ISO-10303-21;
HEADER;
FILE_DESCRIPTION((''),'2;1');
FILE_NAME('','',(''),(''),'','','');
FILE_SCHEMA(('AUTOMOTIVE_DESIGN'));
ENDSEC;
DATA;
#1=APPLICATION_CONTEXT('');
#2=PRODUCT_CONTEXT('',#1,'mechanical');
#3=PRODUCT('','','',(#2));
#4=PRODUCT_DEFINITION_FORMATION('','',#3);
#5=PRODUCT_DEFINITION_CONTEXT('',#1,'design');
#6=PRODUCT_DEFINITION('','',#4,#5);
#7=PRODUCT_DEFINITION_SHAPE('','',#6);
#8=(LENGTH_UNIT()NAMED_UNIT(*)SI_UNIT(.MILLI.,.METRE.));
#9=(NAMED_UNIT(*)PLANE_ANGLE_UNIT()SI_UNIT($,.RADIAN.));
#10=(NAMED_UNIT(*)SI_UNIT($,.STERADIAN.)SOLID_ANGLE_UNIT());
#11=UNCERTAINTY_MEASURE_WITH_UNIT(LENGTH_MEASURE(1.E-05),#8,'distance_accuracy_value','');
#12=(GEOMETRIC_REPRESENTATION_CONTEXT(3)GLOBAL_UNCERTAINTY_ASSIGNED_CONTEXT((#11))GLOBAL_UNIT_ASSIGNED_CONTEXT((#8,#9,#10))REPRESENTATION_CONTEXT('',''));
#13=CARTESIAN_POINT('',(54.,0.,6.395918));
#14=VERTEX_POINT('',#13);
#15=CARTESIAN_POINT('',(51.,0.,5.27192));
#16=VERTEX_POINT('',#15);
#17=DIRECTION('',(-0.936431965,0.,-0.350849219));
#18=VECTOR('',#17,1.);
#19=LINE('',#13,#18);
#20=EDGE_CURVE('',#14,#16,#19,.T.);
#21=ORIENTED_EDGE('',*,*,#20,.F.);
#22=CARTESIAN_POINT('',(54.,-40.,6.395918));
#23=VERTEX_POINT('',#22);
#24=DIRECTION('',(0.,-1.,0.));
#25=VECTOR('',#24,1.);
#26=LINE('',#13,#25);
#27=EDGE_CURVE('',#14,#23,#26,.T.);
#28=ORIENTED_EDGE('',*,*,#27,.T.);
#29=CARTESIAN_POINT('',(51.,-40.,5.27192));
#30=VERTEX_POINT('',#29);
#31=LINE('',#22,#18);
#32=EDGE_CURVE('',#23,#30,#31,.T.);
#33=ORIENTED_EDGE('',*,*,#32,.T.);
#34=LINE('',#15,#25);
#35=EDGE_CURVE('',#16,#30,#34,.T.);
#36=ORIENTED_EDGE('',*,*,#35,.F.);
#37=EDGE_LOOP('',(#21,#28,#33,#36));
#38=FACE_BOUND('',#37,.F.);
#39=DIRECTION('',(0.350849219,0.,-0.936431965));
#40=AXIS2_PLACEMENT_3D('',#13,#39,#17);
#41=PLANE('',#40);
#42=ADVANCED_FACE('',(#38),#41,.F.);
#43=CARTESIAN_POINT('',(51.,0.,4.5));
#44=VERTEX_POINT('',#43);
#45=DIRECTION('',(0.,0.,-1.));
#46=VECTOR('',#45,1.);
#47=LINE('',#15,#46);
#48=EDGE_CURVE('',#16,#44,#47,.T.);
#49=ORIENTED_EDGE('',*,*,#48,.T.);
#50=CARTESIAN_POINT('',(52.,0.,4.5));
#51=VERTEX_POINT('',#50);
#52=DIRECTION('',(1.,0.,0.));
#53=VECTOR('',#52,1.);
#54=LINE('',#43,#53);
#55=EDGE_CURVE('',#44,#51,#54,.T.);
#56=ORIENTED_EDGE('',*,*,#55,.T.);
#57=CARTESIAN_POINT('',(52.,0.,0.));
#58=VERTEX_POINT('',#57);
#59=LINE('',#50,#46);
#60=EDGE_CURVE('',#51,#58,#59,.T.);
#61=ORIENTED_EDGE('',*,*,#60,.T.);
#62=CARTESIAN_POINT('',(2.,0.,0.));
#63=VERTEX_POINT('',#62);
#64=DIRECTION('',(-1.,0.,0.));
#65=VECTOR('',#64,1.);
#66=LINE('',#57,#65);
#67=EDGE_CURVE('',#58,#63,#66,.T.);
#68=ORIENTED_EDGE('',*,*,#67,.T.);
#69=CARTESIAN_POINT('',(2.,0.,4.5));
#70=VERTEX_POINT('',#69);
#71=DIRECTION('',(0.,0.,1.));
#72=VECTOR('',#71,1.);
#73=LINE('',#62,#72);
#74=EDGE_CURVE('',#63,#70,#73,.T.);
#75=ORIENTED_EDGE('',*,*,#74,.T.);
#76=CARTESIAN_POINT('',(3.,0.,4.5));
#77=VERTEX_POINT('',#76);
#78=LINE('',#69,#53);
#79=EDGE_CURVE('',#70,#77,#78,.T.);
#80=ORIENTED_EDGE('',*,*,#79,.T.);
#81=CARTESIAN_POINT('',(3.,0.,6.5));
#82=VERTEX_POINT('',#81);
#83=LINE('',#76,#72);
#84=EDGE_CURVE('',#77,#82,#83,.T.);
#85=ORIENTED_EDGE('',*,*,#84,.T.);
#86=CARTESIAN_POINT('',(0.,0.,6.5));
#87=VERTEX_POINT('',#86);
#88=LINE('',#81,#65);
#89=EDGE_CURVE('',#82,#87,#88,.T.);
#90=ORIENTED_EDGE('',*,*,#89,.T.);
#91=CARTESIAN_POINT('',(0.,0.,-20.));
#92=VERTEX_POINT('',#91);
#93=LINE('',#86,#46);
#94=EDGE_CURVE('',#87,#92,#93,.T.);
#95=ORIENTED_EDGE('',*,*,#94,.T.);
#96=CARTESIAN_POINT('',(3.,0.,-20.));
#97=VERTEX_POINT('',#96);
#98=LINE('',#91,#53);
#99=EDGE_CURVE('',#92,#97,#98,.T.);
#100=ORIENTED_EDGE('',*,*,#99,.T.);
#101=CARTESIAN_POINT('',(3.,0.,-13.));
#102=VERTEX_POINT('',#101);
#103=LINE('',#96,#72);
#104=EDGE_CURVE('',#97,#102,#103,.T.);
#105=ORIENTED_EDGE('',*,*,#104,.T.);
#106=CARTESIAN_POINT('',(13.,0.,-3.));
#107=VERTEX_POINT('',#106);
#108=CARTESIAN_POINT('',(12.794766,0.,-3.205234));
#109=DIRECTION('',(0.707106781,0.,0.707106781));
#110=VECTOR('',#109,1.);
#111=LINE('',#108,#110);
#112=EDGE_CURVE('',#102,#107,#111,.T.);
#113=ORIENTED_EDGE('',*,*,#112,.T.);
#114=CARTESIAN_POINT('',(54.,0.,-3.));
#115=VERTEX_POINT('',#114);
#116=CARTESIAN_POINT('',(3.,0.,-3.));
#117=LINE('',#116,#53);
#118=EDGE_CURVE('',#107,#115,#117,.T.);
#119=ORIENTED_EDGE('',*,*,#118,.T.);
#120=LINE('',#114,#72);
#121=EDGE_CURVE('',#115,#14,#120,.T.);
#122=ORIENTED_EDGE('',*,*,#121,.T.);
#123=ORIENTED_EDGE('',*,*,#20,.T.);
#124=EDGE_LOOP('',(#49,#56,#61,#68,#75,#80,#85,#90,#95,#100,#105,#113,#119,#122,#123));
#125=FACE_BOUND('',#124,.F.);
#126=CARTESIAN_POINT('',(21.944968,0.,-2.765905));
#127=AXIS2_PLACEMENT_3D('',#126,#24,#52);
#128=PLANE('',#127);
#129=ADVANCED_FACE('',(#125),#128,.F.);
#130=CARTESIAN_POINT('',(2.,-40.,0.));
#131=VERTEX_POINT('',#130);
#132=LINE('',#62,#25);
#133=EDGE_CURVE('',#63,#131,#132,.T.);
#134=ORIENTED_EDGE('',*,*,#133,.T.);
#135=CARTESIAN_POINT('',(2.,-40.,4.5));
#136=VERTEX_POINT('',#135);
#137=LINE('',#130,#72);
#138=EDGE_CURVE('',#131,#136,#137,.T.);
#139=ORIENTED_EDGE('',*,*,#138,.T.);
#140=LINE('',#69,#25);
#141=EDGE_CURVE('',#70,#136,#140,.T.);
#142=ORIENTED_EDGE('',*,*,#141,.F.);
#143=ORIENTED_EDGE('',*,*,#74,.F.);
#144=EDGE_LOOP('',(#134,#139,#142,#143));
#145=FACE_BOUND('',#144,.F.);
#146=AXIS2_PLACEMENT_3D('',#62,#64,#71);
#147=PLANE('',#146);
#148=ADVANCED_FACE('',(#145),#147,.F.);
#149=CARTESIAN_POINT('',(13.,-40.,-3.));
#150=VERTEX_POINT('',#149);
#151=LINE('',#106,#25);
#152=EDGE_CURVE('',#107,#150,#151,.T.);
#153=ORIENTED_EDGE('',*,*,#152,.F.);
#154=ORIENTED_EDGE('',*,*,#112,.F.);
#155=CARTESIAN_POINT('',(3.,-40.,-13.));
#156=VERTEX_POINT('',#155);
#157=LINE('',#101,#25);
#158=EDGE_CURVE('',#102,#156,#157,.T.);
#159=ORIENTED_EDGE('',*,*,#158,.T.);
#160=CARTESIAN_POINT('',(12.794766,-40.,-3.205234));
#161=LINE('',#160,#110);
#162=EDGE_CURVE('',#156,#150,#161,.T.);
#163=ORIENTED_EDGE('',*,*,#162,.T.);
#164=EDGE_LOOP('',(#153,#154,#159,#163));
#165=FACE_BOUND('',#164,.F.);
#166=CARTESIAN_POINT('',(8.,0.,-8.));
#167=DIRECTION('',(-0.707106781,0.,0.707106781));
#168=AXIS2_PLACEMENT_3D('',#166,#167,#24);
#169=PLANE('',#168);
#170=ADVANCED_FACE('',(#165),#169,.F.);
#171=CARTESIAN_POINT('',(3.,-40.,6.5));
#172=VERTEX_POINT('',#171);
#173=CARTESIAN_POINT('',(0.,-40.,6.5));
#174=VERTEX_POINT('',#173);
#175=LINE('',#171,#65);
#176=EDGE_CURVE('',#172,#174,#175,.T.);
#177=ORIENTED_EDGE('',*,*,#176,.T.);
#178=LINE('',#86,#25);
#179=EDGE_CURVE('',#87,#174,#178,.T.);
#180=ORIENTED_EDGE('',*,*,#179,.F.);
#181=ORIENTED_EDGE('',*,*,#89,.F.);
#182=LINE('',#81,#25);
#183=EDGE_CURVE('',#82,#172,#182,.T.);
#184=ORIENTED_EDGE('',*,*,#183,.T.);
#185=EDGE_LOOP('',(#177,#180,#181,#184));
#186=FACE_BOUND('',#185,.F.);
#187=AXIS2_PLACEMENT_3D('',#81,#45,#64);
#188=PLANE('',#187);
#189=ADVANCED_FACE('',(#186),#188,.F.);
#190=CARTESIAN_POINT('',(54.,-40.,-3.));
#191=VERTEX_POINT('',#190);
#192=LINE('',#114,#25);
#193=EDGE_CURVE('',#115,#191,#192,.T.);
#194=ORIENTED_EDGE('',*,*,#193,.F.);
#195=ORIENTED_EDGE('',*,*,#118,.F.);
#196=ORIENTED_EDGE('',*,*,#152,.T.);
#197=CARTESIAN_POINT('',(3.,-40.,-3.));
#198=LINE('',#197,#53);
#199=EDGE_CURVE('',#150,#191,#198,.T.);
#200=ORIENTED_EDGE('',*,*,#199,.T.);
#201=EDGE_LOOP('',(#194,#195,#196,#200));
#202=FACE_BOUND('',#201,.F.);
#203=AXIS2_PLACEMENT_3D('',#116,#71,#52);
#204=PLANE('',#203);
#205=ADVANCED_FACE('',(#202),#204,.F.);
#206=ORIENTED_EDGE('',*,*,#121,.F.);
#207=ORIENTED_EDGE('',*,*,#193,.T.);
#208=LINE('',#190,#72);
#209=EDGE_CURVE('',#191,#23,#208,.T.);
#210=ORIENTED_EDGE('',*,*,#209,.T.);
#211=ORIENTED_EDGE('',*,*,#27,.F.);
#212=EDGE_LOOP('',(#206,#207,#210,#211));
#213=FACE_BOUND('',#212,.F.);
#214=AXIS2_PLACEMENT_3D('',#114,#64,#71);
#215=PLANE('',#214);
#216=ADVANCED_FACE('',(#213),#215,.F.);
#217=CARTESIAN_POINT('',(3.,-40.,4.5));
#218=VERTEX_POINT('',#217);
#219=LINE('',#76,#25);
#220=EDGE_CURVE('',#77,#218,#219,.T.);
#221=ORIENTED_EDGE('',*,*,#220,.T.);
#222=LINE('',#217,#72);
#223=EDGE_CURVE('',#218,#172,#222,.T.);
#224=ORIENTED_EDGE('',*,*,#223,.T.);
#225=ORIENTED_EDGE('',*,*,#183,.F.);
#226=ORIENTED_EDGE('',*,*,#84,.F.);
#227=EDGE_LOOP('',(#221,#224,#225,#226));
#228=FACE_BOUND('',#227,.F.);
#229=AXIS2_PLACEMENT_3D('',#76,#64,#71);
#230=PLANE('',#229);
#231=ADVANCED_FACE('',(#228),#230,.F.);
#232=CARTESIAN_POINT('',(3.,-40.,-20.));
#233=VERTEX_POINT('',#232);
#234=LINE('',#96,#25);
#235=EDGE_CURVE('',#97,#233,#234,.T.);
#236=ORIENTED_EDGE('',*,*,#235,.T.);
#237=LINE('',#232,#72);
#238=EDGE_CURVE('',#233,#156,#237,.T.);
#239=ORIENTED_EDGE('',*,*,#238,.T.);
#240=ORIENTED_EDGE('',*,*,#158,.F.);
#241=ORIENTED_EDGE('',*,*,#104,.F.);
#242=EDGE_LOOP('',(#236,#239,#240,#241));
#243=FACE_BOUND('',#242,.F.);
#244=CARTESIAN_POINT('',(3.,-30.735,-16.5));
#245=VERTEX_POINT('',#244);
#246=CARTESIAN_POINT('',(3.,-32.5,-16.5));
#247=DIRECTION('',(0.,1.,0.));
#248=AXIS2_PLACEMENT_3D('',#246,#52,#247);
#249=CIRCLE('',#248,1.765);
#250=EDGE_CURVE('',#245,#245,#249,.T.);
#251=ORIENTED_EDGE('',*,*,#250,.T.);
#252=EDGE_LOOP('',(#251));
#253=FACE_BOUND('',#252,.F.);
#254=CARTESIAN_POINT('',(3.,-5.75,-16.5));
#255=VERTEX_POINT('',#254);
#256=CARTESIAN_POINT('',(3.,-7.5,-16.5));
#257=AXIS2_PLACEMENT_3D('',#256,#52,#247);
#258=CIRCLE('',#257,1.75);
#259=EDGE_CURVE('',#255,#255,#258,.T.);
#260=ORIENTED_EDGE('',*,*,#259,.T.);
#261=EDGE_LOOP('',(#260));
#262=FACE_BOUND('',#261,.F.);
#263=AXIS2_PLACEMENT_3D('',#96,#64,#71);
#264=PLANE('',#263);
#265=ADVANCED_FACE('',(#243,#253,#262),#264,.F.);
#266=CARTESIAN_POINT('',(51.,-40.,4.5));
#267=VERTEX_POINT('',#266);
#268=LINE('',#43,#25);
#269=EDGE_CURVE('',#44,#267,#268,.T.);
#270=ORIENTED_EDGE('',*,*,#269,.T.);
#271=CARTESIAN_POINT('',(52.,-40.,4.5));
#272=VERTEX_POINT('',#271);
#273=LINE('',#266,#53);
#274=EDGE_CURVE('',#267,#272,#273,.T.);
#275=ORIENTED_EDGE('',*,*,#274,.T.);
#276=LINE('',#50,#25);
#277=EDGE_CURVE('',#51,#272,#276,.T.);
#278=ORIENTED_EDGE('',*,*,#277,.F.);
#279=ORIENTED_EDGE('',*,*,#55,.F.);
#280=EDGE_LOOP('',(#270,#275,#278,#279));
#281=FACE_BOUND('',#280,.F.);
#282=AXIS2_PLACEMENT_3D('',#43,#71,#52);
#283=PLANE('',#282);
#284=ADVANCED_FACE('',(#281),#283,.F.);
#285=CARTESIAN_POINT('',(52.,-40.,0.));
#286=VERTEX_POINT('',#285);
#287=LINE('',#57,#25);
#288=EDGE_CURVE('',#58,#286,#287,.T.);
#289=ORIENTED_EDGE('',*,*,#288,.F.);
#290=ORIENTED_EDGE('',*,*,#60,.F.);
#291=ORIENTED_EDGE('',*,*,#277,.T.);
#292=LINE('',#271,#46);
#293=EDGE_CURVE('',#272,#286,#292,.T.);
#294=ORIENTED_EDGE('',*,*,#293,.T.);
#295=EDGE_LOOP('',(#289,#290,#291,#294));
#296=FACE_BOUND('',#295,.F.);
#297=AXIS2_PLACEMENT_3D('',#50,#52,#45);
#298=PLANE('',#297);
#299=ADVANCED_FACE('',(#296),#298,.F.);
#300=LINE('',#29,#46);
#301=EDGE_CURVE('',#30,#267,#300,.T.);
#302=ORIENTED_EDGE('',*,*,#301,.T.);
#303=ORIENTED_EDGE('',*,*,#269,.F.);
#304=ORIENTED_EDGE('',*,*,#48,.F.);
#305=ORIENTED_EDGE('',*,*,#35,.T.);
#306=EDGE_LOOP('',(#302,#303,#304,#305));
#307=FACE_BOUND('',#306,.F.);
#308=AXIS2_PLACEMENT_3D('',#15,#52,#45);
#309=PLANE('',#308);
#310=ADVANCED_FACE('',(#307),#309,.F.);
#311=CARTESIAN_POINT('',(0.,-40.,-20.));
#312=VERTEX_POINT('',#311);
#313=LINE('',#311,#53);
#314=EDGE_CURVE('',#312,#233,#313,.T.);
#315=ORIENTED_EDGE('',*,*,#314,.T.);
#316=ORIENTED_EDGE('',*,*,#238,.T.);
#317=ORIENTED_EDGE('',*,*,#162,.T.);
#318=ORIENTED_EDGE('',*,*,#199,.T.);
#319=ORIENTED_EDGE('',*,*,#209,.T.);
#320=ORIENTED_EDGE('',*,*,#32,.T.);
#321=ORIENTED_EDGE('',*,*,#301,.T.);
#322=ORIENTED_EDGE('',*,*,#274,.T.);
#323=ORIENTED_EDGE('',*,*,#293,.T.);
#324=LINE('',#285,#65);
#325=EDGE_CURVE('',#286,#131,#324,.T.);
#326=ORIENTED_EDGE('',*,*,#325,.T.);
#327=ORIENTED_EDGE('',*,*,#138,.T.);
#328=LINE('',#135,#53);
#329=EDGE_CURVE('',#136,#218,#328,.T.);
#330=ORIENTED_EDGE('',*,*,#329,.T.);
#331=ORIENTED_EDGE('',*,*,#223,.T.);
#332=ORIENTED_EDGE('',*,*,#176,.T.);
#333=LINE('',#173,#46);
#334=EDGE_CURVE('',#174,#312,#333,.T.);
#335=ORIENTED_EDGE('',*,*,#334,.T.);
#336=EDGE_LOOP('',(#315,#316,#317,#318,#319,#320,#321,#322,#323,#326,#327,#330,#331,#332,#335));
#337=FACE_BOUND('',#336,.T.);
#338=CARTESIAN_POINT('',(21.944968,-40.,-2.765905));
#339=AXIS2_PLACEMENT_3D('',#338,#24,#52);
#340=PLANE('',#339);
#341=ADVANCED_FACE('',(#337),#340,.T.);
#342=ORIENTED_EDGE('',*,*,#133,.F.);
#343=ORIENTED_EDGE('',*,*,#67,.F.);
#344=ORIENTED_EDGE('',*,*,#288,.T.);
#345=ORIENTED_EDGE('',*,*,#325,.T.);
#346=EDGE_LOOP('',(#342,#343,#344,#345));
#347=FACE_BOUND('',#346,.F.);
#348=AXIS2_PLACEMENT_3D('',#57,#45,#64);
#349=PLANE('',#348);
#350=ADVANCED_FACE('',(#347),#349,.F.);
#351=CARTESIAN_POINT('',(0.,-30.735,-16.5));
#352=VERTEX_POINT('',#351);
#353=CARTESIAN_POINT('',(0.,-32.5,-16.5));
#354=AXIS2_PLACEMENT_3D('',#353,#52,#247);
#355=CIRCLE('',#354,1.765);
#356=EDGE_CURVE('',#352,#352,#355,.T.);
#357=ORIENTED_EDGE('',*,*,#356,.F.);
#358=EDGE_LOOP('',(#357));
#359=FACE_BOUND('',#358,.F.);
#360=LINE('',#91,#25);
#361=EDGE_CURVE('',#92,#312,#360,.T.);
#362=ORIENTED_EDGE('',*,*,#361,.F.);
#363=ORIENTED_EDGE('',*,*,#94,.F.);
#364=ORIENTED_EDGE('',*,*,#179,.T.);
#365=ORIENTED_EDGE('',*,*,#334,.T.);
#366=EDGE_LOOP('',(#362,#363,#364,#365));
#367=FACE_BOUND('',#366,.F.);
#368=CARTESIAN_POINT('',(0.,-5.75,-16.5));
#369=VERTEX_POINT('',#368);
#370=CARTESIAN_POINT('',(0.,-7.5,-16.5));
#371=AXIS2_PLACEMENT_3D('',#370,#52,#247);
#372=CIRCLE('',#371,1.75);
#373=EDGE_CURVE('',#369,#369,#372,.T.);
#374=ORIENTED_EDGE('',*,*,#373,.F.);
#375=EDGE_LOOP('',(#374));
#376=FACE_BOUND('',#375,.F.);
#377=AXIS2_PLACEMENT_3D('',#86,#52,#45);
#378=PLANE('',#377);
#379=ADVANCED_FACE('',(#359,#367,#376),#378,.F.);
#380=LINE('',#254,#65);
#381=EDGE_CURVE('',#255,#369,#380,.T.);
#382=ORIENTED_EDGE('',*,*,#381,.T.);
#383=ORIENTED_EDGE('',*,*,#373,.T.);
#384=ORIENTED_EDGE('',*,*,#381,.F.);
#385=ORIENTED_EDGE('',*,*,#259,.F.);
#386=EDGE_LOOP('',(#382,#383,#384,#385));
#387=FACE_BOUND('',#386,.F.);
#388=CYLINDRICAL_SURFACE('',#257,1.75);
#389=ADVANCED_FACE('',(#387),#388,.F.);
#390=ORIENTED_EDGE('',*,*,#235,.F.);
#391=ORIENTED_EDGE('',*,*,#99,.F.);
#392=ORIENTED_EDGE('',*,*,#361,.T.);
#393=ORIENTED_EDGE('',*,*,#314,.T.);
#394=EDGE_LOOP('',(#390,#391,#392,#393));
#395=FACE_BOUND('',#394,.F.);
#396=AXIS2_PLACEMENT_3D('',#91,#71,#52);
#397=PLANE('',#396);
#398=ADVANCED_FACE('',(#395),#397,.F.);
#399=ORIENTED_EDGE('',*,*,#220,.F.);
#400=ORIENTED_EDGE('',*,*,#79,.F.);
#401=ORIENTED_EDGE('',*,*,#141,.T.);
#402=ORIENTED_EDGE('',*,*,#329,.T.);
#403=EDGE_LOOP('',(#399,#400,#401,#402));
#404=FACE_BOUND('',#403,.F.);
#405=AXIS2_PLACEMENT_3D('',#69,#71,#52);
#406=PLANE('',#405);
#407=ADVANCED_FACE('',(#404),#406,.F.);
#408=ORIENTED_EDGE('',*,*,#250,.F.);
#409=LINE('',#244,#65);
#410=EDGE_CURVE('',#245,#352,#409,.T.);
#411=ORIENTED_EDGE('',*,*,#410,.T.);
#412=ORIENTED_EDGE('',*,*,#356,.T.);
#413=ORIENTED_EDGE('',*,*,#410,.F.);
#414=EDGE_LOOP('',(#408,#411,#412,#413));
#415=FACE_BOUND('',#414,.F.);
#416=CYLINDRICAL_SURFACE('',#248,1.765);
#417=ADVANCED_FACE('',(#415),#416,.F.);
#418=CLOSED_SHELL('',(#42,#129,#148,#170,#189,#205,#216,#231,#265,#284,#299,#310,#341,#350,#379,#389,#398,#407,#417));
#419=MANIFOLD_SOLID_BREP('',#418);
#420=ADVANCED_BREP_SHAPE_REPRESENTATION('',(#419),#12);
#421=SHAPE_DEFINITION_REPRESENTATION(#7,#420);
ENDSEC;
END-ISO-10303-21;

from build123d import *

# Parameters (mm, degrees)
F1_DEPTH = 40
F2_SIZE  = 10
F3_R     = 1.765
F3_R_2   = 1.75
F4_DEPTH = 25


with BuildPart() as f1:
    # F0 (on Front) → F1 (new body)
    with BuildSketch(Plane.XZ):
        Polygon((0, 6.5), (0, 0), (0, -20), (3, -20), (3, -3), (54, -3), (54, 0), (54, 6.395918), (51, 5.27192), (51, 4.5), (52, 4.5), (52, 0), (2, 0), (2, 4.5), (3, 4.5), (3, 6.5), align=None)
    extrude(amount=F1_DEPTH)

    # F2
    f2_edges = [f1.edges().sort_by_distance(p)[0] for p in [
        (3, -20, -3),
    ]]
    chamfer(f2_edges, length=F2_SIZE)

    # F3 (on face) → F4 (cut)
    with BuildSketch(Plane.YZ.offset(3)):
        with Locations((-32.5, -16.5)):
            Circle(F3_R)
        with Locations((-7.5, -16.5)):
            Circle(F3_R_2)
    extrude(amount=-F4_DEPTH, mode=Mode.SUBTRACT)


solid = f1.part
